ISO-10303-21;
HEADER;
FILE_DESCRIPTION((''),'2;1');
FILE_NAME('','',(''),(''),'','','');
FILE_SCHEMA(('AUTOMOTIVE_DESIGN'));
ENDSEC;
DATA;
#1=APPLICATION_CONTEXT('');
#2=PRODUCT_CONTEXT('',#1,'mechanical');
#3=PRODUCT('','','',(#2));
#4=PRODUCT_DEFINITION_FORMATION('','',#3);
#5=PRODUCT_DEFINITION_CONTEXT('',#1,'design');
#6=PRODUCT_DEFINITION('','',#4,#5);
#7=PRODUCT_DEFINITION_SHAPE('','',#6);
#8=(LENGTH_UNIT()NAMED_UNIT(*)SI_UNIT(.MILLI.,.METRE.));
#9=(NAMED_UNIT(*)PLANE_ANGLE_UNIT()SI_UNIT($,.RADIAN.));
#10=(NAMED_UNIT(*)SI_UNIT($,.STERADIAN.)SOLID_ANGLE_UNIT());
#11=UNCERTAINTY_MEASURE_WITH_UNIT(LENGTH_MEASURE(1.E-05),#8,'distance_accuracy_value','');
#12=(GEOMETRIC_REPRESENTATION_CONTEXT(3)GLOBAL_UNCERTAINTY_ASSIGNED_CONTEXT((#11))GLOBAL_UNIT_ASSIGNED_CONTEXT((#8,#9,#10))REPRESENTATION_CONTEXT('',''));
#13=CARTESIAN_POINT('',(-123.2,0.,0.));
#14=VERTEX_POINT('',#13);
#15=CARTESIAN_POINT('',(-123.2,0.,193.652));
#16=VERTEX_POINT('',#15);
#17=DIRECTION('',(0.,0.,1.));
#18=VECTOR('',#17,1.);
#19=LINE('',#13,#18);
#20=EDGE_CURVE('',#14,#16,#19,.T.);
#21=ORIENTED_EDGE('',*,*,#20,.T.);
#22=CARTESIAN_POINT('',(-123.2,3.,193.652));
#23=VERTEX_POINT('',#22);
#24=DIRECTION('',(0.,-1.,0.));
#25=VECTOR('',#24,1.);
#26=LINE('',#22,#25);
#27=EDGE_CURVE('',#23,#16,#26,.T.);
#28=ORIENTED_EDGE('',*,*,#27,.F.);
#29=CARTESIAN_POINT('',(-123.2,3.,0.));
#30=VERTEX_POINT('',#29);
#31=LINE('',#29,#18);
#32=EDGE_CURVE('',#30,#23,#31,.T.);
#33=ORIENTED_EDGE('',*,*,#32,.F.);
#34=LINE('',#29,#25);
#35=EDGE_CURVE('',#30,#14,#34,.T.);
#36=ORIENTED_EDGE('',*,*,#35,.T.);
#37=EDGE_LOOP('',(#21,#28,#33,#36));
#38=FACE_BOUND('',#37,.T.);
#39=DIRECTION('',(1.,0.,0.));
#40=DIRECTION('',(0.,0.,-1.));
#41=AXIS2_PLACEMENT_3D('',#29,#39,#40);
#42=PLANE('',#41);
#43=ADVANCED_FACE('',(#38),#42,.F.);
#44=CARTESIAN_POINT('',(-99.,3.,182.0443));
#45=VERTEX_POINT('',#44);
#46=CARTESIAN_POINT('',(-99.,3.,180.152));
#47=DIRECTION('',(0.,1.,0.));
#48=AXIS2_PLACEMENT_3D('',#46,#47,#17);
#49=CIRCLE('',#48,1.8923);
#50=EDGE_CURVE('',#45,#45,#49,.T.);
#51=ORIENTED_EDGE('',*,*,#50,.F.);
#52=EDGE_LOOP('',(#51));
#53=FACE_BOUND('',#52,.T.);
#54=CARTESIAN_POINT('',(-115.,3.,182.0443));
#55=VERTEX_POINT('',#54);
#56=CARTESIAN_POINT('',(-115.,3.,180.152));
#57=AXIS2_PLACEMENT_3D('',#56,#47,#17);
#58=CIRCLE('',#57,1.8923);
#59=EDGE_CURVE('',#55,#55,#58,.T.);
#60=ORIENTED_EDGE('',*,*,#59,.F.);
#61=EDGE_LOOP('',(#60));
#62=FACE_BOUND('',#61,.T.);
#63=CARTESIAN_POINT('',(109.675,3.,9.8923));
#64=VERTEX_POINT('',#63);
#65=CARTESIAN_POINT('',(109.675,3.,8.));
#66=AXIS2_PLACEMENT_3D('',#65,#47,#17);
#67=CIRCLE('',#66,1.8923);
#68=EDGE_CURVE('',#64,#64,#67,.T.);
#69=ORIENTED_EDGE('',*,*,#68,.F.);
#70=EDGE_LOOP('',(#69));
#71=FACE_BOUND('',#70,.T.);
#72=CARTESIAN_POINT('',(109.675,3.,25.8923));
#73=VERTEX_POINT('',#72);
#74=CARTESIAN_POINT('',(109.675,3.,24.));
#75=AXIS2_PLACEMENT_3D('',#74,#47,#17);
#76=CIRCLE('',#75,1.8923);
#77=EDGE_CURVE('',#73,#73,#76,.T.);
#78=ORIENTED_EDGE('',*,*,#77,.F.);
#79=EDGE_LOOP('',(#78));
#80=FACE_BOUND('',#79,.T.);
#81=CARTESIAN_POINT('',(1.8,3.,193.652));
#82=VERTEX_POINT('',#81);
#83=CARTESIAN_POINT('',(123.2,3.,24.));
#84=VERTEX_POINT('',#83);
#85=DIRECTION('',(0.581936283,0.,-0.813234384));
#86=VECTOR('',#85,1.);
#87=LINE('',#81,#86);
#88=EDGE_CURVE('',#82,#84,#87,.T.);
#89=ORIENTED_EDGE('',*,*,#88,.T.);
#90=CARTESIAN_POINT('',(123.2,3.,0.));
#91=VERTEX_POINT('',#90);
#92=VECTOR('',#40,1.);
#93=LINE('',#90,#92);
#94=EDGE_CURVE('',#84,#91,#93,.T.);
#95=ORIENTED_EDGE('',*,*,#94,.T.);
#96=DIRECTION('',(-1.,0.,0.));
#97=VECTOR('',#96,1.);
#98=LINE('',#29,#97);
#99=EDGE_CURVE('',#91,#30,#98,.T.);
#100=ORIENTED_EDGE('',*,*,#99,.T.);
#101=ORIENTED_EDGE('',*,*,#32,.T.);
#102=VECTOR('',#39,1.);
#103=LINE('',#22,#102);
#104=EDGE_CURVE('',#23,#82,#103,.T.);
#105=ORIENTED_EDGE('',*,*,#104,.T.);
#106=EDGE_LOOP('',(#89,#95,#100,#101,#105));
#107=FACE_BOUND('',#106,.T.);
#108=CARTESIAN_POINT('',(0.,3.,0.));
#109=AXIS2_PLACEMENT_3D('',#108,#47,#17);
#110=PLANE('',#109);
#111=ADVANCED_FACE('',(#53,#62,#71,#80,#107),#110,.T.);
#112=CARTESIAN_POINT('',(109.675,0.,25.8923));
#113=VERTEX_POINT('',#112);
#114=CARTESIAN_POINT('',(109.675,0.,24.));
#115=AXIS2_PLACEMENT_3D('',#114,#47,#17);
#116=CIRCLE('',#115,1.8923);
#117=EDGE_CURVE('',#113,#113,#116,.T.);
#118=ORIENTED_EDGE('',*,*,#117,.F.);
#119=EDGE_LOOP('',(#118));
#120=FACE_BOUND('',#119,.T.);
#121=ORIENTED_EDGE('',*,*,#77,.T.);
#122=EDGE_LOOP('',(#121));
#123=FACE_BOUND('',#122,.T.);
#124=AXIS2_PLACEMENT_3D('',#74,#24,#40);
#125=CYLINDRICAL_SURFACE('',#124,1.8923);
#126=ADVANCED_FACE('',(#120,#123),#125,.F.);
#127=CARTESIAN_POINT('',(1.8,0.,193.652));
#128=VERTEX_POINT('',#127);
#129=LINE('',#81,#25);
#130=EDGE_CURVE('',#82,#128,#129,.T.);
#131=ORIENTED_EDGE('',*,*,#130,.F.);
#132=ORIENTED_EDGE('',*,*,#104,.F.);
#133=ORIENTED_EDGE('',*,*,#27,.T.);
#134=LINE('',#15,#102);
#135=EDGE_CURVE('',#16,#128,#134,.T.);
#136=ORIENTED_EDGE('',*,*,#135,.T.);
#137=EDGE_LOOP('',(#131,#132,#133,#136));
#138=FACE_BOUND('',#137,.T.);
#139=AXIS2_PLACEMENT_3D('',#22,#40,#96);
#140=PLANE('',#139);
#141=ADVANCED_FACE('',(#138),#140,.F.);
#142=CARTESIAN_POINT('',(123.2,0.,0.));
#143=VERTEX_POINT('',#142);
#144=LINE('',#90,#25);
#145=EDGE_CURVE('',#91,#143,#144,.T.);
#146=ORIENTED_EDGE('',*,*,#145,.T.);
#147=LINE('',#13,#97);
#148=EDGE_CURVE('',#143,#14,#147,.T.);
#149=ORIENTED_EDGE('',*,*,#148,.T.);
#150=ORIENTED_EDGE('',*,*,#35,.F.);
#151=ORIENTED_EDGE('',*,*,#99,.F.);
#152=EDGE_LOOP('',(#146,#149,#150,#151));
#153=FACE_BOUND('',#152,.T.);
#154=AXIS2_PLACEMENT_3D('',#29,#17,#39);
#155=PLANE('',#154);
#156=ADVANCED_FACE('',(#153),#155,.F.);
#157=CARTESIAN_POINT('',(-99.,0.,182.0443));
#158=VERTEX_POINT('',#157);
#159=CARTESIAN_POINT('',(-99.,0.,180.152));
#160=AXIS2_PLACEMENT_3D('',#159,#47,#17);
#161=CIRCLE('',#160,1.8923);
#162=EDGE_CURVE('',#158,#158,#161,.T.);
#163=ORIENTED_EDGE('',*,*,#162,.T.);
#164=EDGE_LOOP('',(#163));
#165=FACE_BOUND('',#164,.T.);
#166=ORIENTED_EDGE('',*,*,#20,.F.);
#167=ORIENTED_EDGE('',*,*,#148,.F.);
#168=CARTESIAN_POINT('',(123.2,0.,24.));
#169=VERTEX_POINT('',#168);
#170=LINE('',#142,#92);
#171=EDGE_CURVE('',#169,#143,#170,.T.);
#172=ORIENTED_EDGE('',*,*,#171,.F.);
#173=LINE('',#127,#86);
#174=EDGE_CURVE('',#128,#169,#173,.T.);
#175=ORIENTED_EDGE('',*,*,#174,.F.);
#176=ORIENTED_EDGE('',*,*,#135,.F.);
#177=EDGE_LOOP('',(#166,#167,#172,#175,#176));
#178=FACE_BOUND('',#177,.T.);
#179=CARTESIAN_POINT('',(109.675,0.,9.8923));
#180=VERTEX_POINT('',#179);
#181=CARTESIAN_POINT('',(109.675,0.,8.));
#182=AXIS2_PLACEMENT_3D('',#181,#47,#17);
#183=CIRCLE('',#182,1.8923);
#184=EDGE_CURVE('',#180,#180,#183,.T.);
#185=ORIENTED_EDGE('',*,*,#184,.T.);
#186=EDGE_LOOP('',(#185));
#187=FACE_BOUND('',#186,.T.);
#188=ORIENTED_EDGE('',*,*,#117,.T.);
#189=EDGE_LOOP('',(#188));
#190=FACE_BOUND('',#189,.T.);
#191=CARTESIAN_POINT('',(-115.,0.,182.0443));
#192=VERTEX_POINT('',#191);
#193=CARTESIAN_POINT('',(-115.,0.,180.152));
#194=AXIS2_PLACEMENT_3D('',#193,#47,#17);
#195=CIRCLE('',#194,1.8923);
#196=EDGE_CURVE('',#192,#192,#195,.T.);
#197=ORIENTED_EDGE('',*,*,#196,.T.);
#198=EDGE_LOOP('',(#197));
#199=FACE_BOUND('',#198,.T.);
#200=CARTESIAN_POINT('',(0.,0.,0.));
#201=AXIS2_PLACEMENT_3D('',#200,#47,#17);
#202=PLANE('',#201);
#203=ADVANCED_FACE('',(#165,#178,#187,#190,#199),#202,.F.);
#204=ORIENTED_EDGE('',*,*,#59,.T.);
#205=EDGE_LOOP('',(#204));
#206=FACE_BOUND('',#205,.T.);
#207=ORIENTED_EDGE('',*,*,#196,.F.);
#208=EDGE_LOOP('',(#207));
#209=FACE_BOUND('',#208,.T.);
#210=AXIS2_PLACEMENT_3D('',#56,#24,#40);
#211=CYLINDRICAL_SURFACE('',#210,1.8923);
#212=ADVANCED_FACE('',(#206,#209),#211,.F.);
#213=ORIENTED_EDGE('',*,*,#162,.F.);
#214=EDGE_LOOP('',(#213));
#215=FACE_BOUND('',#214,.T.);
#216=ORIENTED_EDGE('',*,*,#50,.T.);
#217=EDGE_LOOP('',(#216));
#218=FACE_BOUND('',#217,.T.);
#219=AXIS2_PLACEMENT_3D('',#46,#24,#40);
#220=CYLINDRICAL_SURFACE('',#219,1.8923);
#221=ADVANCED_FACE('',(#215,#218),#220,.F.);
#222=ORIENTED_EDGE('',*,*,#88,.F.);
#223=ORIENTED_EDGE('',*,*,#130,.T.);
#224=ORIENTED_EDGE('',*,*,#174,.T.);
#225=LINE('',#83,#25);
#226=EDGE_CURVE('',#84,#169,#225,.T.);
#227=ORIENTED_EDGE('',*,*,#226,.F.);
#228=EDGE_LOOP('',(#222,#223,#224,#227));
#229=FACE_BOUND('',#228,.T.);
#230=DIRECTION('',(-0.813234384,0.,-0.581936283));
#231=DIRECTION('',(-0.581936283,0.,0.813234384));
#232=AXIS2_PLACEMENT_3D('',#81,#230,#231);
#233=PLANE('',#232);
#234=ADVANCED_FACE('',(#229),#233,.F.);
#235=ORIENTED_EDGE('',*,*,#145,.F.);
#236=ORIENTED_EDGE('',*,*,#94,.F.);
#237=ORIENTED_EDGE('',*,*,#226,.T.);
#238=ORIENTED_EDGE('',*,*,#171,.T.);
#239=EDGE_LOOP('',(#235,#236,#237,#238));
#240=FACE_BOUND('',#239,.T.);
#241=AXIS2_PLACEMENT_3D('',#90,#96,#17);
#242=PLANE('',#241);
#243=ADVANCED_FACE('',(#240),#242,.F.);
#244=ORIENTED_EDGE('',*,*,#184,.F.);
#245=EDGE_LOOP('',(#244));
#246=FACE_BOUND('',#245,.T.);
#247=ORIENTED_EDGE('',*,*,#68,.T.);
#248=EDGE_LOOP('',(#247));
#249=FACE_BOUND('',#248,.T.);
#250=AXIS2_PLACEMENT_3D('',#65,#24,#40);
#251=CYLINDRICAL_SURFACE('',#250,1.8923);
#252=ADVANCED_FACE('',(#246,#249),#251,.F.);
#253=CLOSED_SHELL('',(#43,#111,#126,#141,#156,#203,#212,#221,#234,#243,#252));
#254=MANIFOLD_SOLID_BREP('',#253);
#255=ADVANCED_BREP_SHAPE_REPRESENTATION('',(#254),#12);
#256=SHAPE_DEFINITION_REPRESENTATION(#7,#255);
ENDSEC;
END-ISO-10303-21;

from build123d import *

# Parameters (mm, degrees)
SKETCH1_R           = 1.8923
BOSS_EXTRUDE1_DEPTH = 3


with BuildPart() as part:
    # Sketch1 → Boss-Extrude1 (new body)
    with BuildSketch(Plane(origin=(0, 0, 0), x_dir=(1, 0, 0), z_dir=(0, 1, 0))):
        Polygon((-123.2, 0), (123.2, 0), (123.2, -24), (1.8, -193.652), (-123.2, -193.652), align=None)
        with Locations((-99, -180.152)):
            Circle(SKETCH1_R, mode=Mode.SUBTRACT)
        with Locations((109.675, -8)):
            Circle(SKETCH1_R, mode=Mode.SUBTRACT)
        with Locations((-115, -180.152)):
            Circle(SKETCH1_R, mode=Mode.SUBTRACT)
        with Locations((109.675, -24)):
            Circle(SKETCH1_R, mode=Mode.SUBTRACT)
    extrude(amount=BOSS_EXTRUDE1_DEPTH)


solid = part.part
